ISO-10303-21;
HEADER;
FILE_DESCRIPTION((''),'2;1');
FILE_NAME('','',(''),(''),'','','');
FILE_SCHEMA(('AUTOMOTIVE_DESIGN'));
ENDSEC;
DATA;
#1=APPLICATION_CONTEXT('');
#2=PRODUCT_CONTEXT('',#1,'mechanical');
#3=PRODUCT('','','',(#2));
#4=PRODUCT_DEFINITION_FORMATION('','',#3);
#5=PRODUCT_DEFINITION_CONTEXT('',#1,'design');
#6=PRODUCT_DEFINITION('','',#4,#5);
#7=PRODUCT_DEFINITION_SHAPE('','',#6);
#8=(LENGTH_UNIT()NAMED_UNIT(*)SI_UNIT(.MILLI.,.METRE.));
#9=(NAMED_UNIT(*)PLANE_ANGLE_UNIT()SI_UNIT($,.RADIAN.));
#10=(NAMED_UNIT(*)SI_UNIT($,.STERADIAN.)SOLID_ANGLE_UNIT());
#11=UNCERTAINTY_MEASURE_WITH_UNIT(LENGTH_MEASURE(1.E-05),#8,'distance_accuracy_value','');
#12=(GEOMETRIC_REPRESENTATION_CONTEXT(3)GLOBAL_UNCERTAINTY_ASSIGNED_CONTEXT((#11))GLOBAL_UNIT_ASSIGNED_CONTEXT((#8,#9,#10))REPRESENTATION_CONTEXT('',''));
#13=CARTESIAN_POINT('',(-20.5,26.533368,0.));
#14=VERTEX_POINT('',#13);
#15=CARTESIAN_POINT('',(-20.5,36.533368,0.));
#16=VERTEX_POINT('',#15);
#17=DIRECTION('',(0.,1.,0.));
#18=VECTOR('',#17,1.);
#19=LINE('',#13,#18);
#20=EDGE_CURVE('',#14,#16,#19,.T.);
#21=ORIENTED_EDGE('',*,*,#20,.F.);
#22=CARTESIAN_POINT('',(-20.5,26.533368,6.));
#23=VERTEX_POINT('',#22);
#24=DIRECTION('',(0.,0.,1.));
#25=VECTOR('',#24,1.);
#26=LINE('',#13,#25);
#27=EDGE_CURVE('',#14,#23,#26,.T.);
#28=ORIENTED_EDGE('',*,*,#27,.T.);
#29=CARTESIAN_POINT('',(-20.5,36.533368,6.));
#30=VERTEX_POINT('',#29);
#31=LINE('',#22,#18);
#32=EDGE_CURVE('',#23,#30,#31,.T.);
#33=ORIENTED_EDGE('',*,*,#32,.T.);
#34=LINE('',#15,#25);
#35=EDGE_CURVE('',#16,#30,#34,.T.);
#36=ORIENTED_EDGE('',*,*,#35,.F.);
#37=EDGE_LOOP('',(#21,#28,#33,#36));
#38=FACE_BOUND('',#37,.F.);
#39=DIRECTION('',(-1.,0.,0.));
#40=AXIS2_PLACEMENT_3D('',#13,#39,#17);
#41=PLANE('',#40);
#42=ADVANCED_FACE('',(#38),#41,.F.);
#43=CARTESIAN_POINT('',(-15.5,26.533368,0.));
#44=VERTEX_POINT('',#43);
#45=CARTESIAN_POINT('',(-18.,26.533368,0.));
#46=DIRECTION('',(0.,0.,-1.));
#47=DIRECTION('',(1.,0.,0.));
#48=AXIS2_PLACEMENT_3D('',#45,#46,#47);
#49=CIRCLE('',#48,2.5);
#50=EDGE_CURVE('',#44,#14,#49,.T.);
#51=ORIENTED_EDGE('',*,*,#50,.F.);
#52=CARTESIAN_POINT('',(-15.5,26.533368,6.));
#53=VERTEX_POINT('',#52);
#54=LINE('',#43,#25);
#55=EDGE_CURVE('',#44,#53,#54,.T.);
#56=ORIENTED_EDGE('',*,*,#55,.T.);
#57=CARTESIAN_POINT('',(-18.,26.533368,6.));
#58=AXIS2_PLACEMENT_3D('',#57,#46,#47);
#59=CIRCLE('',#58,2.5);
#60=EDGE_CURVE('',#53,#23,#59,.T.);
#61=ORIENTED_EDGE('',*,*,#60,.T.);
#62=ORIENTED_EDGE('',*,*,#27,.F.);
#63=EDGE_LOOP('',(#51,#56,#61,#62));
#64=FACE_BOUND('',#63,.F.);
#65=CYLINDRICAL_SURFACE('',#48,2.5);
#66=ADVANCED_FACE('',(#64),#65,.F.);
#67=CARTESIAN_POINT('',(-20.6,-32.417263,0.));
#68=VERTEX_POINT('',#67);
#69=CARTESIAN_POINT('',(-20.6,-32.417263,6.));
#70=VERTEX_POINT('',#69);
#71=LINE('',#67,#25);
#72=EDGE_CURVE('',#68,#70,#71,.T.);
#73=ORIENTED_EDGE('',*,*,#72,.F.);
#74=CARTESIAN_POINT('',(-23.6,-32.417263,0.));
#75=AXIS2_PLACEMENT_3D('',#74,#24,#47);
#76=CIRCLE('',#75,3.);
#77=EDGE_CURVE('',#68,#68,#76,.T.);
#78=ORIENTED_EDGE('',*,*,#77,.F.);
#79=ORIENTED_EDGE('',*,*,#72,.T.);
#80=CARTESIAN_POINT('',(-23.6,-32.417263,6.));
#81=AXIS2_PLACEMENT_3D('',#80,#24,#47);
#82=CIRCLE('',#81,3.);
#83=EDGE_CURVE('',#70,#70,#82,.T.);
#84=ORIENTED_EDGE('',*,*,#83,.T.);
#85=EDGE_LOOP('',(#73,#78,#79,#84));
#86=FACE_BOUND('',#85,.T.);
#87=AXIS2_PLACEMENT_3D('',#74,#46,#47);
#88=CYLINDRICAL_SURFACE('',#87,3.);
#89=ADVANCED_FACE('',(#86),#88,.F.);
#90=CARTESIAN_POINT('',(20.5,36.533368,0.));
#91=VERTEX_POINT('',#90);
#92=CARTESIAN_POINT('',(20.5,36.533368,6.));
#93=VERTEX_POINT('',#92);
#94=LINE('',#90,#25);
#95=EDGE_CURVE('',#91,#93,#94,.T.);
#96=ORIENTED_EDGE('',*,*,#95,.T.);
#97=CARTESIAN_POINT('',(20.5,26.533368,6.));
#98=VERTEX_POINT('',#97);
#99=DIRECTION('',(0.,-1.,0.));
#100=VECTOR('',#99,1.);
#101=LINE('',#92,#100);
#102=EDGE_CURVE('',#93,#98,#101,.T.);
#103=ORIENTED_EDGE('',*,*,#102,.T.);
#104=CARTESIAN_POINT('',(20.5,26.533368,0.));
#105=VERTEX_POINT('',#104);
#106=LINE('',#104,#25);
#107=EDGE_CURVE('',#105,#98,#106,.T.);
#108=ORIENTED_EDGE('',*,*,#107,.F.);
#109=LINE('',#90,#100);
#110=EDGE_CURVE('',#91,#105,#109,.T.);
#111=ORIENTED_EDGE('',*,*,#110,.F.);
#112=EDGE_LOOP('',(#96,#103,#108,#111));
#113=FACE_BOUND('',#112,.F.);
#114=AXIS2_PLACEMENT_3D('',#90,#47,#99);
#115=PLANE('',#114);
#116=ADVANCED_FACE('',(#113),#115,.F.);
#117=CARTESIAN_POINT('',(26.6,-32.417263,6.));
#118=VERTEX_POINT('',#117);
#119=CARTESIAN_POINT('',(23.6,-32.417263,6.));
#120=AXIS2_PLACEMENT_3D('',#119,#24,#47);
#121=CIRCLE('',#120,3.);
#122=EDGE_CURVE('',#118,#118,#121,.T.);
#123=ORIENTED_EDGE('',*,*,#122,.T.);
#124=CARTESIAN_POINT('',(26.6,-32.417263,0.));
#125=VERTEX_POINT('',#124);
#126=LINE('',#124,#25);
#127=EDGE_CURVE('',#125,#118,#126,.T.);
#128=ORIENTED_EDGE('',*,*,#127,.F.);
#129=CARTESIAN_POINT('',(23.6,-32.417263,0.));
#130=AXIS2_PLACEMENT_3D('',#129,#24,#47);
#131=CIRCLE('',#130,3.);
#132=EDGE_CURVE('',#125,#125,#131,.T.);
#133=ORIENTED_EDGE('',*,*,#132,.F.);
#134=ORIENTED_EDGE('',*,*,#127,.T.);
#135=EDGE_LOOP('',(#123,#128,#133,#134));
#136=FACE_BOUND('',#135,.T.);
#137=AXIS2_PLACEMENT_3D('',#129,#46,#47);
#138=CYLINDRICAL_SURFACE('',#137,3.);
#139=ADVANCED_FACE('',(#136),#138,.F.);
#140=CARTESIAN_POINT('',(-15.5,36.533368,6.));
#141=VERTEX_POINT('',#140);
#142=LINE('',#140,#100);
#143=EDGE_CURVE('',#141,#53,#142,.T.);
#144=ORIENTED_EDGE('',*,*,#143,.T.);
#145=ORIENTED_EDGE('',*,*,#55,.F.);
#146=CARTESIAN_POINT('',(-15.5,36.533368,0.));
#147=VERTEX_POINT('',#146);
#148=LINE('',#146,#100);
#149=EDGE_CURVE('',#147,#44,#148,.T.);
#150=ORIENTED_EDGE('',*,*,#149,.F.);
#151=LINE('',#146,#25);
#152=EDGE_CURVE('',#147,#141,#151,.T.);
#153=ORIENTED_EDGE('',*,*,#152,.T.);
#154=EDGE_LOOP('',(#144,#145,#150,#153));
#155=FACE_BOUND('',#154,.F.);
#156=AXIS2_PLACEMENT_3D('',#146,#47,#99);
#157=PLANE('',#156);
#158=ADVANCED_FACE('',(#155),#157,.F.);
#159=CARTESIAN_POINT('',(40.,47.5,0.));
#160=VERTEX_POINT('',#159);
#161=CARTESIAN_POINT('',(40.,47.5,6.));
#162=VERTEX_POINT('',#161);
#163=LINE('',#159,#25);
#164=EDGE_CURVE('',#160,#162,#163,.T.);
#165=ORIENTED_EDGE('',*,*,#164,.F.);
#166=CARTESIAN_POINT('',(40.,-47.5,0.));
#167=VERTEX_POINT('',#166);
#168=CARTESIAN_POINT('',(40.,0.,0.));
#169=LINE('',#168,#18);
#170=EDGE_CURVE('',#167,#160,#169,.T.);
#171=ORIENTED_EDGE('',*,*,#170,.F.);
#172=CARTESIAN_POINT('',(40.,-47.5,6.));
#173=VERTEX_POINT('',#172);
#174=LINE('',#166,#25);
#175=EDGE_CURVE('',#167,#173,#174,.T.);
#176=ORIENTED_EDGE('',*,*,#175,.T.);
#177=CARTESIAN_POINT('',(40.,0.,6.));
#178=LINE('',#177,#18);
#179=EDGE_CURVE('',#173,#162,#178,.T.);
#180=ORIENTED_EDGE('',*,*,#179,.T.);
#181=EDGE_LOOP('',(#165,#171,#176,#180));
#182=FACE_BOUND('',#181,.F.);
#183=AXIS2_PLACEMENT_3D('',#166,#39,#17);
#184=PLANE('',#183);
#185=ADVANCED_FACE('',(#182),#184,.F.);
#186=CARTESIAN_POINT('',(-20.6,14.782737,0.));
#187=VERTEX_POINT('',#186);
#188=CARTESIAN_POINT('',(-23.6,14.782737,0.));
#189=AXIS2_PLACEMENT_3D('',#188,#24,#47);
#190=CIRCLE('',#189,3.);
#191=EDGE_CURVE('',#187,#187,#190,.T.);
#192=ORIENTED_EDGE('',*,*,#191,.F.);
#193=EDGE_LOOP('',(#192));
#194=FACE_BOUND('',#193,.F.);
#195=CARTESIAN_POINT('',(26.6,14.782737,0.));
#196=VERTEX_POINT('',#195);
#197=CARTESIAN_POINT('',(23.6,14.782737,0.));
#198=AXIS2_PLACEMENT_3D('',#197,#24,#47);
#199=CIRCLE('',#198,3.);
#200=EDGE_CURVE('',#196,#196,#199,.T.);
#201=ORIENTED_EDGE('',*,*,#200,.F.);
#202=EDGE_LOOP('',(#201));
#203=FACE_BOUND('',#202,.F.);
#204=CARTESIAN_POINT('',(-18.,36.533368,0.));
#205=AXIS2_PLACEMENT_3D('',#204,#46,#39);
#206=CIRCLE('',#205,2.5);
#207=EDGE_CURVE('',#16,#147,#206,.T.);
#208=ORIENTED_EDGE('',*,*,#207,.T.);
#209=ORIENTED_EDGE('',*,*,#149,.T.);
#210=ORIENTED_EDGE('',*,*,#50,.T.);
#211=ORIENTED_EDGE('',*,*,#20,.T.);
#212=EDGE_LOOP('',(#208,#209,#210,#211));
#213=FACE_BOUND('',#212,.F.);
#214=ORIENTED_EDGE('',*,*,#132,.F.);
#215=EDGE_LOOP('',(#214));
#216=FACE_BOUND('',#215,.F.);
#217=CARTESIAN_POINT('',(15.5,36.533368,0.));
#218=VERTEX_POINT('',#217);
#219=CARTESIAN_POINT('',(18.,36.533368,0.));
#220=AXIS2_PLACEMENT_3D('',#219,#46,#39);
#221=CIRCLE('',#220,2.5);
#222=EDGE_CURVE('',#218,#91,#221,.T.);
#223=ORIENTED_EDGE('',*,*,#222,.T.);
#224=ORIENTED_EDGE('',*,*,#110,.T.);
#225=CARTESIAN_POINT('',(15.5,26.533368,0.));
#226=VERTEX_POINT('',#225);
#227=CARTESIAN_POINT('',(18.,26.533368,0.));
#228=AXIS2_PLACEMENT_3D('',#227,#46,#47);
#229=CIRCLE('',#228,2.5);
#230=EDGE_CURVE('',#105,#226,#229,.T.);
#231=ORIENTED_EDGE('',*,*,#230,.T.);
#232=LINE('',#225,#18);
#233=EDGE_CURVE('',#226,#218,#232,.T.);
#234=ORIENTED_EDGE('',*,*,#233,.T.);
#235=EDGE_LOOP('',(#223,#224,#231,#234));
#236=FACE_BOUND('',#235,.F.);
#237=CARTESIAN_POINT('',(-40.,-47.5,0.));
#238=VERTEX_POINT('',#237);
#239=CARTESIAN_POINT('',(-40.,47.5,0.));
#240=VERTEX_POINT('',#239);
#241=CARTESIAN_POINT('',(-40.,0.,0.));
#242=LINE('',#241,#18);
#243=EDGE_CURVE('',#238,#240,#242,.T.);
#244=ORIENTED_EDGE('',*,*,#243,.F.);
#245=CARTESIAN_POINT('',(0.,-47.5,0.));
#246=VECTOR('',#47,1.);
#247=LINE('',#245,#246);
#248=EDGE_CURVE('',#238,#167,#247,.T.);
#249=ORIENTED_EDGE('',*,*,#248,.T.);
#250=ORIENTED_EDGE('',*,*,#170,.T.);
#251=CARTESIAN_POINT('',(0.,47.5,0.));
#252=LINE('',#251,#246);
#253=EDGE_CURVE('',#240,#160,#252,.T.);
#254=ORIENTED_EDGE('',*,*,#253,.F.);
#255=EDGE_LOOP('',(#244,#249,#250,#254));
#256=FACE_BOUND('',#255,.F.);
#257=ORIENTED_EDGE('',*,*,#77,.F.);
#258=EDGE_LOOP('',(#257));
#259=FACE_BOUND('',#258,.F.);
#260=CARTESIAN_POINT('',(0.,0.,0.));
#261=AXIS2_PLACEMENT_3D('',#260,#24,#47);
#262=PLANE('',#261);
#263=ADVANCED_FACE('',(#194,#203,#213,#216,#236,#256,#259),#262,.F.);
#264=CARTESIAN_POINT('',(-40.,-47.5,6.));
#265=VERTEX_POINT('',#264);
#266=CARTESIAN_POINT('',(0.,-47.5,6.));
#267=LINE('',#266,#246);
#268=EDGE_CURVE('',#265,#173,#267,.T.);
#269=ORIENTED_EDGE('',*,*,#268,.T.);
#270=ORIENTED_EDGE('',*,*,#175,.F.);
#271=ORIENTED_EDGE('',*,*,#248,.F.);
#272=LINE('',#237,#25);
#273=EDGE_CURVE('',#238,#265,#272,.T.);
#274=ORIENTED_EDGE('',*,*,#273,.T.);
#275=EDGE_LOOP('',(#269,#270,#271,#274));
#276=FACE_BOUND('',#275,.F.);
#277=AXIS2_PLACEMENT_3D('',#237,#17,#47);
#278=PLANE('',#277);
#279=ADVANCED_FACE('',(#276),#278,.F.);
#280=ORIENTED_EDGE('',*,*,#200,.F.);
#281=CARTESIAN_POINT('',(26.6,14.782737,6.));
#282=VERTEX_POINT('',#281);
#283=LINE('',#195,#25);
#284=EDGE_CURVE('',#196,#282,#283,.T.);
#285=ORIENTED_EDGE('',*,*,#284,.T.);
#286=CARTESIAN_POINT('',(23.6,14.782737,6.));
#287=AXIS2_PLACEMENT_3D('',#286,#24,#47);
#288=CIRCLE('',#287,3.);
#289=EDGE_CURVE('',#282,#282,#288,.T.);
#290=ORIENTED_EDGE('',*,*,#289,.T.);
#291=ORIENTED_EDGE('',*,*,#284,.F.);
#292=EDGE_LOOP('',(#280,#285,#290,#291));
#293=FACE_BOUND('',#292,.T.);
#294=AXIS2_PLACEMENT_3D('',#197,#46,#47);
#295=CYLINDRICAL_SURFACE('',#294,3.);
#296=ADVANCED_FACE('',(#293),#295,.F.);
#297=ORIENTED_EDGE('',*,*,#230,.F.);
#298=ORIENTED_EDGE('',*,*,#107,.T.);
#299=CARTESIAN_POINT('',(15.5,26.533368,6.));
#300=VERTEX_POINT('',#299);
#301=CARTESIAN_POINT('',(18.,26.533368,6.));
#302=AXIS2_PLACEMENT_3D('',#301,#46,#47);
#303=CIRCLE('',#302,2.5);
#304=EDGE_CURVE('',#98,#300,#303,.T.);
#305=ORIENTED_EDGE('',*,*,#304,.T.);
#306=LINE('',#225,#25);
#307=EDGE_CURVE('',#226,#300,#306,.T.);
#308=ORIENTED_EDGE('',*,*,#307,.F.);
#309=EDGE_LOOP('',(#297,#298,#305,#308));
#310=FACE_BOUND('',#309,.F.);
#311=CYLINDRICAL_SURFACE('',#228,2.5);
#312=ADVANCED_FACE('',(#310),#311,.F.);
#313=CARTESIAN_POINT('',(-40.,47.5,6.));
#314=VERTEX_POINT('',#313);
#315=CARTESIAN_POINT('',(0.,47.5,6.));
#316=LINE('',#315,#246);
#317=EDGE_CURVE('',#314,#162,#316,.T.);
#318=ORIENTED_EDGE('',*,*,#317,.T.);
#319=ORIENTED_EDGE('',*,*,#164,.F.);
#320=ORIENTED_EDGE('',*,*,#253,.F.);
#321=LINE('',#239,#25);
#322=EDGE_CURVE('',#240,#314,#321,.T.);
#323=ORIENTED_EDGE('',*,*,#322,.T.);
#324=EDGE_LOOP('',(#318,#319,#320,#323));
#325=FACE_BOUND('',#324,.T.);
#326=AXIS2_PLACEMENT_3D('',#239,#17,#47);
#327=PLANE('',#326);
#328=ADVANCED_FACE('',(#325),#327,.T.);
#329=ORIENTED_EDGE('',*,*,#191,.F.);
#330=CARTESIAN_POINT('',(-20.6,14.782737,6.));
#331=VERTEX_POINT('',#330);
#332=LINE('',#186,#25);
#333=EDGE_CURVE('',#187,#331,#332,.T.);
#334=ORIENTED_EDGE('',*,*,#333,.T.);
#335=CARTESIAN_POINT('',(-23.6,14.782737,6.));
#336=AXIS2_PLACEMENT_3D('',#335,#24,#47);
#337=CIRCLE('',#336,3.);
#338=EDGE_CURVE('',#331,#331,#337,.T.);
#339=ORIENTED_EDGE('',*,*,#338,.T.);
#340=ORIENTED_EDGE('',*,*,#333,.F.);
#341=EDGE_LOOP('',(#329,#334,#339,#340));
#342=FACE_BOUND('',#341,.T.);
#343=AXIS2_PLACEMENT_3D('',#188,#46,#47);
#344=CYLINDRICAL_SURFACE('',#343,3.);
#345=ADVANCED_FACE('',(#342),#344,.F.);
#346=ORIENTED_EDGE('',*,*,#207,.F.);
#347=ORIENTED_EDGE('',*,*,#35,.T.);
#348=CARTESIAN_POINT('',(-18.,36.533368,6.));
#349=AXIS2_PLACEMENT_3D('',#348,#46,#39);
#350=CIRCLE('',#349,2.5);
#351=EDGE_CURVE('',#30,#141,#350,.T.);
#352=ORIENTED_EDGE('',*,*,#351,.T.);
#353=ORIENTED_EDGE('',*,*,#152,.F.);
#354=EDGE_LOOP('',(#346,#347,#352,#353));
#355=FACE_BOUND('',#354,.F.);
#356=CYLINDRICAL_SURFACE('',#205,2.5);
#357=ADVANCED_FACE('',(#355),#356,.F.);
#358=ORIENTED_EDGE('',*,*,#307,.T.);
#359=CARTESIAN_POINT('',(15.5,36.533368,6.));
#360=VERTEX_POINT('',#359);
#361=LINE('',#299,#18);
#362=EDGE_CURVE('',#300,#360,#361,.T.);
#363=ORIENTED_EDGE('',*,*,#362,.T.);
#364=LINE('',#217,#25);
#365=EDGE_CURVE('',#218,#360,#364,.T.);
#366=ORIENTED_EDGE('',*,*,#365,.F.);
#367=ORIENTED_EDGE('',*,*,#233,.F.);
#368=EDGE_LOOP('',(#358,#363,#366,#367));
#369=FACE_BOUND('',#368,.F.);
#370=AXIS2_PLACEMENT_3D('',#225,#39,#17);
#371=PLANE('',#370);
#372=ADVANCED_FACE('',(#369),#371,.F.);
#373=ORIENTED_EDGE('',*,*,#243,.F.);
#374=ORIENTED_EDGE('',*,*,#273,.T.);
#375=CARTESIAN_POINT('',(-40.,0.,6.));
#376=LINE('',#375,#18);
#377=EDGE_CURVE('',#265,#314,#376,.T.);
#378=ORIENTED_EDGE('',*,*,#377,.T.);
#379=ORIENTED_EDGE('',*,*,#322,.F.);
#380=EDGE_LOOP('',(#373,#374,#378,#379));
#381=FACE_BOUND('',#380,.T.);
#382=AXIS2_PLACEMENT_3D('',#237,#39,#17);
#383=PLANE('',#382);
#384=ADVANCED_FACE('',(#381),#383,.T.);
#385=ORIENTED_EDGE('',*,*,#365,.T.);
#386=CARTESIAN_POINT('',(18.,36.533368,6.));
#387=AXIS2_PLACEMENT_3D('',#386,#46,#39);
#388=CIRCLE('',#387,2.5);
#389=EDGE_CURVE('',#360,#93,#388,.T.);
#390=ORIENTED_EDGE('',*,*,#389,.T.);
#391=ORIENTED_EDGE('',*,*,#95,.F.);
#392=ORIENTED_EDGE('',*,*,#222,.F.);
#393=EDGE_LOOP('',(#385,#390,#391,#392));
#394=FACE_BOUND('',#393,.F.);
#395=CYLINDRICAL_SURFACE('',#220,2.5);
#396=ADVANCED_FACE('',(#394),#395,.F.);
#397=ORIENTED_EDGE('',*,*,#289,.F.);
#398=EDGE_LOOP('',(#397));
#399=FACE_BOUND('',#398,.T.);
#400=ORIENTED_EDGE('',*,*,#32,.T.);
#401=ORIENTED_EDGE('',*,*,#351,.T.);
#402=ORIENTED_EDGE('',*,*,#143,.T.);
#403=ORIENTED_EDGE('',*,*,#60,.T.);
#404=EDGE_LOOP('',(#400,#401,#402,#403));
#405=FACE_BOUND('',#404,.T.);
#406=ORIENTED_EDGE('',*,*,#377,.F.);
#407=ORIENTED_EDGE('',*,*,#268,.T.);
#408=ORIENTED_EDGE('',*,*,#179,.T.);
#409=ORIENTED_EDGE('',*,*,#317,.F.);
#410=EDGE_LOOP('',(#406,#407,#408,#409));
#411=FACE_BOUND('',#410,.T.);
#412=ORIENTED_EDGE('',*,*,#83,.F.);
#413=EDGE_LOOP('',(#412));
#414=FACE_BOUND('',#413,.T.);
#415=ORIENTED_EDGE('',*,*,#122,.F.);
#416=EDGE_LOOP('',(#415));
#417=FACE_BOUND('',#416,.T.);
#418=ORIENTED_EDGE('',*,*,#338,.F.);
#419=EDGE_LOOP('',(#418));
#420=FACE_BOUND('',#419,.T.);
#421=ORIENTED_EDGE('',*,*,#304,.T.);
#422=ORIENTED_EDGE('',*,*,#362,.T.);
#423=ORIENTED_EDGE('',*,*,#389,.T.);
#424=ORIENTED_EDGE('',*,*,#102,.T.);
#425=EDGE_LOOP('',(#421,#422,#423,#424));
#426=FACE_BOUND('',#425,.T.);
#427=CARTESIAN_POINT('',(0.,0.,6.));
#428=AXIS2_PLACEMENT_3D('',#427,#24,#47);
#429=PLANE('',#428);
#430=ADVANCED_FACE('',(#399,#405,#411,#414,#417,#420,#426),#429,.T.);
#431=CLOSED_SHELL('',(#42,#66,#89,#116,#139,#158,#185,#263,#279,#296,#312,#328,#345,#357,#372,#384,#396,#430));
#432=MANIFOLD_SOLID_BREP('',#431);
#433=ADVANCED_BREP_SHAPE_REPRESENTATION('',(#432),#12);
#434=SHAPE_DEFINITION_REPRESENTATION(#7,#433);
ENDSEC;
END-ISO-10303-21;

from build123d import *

# Parameters (mm, degrees)
F0_W     = 80
F0_H     = 95
F0_R     = 3
F1_DEPTH = 6


with BuildPart() as f1:
    # F0 (on Top) → F1 (new body)
    with BuildSketch(Plane.XY):
        Rectangle(F0_W, F0_H)
        with Locations((-23.6, -32.417263)):
            Circle(F0_R, mode=Mode.SUBTRACT)
        with Locations((23.6, -32.417263)):
            Circle(F0_R, mode=Mode.SUBTRACT)
        with Locations((-23.6, 14.782737)):
            Circle(F0_R, mode=Mode.SUBTRACT)
        with BuildLine():
            ThreePointArc((-20.5, 36.533368), (-18, 39.033368), (-15.5, 36.533368))
            Line((-15.5, 36.533368), (-15.5, 26.533368))
            ThreePointArc((-15.5, 26.533368), (-18, 24.033368), (-20.5, 26.533368))
            Line((-20.5, 26.533368), (-20.5, 36.533368))
        make_face(mode=Mode.SUBTRACT)
        with Locations((23.6, 14.782737)):
            Circle(F0_R, mode=Mode.SUBTRACT)
        with BuildLine():
            ThreePointArc((20.5, 26.533368), (18, 24.033368), (15.5, 26.533368))
            Line((15.5, 26.533368), (15.5, 36.533368))
            ThreePointArc((15.5, 36.533368), (18, 39.033368), (20.5, 36.533368))
            Line((20.5, 36.533368), (20.5, 26.533368))
        make_face(mode=Mode.SUBTRACT)
    extrude(amount=F1_DEPTH)


solid = f1.part
